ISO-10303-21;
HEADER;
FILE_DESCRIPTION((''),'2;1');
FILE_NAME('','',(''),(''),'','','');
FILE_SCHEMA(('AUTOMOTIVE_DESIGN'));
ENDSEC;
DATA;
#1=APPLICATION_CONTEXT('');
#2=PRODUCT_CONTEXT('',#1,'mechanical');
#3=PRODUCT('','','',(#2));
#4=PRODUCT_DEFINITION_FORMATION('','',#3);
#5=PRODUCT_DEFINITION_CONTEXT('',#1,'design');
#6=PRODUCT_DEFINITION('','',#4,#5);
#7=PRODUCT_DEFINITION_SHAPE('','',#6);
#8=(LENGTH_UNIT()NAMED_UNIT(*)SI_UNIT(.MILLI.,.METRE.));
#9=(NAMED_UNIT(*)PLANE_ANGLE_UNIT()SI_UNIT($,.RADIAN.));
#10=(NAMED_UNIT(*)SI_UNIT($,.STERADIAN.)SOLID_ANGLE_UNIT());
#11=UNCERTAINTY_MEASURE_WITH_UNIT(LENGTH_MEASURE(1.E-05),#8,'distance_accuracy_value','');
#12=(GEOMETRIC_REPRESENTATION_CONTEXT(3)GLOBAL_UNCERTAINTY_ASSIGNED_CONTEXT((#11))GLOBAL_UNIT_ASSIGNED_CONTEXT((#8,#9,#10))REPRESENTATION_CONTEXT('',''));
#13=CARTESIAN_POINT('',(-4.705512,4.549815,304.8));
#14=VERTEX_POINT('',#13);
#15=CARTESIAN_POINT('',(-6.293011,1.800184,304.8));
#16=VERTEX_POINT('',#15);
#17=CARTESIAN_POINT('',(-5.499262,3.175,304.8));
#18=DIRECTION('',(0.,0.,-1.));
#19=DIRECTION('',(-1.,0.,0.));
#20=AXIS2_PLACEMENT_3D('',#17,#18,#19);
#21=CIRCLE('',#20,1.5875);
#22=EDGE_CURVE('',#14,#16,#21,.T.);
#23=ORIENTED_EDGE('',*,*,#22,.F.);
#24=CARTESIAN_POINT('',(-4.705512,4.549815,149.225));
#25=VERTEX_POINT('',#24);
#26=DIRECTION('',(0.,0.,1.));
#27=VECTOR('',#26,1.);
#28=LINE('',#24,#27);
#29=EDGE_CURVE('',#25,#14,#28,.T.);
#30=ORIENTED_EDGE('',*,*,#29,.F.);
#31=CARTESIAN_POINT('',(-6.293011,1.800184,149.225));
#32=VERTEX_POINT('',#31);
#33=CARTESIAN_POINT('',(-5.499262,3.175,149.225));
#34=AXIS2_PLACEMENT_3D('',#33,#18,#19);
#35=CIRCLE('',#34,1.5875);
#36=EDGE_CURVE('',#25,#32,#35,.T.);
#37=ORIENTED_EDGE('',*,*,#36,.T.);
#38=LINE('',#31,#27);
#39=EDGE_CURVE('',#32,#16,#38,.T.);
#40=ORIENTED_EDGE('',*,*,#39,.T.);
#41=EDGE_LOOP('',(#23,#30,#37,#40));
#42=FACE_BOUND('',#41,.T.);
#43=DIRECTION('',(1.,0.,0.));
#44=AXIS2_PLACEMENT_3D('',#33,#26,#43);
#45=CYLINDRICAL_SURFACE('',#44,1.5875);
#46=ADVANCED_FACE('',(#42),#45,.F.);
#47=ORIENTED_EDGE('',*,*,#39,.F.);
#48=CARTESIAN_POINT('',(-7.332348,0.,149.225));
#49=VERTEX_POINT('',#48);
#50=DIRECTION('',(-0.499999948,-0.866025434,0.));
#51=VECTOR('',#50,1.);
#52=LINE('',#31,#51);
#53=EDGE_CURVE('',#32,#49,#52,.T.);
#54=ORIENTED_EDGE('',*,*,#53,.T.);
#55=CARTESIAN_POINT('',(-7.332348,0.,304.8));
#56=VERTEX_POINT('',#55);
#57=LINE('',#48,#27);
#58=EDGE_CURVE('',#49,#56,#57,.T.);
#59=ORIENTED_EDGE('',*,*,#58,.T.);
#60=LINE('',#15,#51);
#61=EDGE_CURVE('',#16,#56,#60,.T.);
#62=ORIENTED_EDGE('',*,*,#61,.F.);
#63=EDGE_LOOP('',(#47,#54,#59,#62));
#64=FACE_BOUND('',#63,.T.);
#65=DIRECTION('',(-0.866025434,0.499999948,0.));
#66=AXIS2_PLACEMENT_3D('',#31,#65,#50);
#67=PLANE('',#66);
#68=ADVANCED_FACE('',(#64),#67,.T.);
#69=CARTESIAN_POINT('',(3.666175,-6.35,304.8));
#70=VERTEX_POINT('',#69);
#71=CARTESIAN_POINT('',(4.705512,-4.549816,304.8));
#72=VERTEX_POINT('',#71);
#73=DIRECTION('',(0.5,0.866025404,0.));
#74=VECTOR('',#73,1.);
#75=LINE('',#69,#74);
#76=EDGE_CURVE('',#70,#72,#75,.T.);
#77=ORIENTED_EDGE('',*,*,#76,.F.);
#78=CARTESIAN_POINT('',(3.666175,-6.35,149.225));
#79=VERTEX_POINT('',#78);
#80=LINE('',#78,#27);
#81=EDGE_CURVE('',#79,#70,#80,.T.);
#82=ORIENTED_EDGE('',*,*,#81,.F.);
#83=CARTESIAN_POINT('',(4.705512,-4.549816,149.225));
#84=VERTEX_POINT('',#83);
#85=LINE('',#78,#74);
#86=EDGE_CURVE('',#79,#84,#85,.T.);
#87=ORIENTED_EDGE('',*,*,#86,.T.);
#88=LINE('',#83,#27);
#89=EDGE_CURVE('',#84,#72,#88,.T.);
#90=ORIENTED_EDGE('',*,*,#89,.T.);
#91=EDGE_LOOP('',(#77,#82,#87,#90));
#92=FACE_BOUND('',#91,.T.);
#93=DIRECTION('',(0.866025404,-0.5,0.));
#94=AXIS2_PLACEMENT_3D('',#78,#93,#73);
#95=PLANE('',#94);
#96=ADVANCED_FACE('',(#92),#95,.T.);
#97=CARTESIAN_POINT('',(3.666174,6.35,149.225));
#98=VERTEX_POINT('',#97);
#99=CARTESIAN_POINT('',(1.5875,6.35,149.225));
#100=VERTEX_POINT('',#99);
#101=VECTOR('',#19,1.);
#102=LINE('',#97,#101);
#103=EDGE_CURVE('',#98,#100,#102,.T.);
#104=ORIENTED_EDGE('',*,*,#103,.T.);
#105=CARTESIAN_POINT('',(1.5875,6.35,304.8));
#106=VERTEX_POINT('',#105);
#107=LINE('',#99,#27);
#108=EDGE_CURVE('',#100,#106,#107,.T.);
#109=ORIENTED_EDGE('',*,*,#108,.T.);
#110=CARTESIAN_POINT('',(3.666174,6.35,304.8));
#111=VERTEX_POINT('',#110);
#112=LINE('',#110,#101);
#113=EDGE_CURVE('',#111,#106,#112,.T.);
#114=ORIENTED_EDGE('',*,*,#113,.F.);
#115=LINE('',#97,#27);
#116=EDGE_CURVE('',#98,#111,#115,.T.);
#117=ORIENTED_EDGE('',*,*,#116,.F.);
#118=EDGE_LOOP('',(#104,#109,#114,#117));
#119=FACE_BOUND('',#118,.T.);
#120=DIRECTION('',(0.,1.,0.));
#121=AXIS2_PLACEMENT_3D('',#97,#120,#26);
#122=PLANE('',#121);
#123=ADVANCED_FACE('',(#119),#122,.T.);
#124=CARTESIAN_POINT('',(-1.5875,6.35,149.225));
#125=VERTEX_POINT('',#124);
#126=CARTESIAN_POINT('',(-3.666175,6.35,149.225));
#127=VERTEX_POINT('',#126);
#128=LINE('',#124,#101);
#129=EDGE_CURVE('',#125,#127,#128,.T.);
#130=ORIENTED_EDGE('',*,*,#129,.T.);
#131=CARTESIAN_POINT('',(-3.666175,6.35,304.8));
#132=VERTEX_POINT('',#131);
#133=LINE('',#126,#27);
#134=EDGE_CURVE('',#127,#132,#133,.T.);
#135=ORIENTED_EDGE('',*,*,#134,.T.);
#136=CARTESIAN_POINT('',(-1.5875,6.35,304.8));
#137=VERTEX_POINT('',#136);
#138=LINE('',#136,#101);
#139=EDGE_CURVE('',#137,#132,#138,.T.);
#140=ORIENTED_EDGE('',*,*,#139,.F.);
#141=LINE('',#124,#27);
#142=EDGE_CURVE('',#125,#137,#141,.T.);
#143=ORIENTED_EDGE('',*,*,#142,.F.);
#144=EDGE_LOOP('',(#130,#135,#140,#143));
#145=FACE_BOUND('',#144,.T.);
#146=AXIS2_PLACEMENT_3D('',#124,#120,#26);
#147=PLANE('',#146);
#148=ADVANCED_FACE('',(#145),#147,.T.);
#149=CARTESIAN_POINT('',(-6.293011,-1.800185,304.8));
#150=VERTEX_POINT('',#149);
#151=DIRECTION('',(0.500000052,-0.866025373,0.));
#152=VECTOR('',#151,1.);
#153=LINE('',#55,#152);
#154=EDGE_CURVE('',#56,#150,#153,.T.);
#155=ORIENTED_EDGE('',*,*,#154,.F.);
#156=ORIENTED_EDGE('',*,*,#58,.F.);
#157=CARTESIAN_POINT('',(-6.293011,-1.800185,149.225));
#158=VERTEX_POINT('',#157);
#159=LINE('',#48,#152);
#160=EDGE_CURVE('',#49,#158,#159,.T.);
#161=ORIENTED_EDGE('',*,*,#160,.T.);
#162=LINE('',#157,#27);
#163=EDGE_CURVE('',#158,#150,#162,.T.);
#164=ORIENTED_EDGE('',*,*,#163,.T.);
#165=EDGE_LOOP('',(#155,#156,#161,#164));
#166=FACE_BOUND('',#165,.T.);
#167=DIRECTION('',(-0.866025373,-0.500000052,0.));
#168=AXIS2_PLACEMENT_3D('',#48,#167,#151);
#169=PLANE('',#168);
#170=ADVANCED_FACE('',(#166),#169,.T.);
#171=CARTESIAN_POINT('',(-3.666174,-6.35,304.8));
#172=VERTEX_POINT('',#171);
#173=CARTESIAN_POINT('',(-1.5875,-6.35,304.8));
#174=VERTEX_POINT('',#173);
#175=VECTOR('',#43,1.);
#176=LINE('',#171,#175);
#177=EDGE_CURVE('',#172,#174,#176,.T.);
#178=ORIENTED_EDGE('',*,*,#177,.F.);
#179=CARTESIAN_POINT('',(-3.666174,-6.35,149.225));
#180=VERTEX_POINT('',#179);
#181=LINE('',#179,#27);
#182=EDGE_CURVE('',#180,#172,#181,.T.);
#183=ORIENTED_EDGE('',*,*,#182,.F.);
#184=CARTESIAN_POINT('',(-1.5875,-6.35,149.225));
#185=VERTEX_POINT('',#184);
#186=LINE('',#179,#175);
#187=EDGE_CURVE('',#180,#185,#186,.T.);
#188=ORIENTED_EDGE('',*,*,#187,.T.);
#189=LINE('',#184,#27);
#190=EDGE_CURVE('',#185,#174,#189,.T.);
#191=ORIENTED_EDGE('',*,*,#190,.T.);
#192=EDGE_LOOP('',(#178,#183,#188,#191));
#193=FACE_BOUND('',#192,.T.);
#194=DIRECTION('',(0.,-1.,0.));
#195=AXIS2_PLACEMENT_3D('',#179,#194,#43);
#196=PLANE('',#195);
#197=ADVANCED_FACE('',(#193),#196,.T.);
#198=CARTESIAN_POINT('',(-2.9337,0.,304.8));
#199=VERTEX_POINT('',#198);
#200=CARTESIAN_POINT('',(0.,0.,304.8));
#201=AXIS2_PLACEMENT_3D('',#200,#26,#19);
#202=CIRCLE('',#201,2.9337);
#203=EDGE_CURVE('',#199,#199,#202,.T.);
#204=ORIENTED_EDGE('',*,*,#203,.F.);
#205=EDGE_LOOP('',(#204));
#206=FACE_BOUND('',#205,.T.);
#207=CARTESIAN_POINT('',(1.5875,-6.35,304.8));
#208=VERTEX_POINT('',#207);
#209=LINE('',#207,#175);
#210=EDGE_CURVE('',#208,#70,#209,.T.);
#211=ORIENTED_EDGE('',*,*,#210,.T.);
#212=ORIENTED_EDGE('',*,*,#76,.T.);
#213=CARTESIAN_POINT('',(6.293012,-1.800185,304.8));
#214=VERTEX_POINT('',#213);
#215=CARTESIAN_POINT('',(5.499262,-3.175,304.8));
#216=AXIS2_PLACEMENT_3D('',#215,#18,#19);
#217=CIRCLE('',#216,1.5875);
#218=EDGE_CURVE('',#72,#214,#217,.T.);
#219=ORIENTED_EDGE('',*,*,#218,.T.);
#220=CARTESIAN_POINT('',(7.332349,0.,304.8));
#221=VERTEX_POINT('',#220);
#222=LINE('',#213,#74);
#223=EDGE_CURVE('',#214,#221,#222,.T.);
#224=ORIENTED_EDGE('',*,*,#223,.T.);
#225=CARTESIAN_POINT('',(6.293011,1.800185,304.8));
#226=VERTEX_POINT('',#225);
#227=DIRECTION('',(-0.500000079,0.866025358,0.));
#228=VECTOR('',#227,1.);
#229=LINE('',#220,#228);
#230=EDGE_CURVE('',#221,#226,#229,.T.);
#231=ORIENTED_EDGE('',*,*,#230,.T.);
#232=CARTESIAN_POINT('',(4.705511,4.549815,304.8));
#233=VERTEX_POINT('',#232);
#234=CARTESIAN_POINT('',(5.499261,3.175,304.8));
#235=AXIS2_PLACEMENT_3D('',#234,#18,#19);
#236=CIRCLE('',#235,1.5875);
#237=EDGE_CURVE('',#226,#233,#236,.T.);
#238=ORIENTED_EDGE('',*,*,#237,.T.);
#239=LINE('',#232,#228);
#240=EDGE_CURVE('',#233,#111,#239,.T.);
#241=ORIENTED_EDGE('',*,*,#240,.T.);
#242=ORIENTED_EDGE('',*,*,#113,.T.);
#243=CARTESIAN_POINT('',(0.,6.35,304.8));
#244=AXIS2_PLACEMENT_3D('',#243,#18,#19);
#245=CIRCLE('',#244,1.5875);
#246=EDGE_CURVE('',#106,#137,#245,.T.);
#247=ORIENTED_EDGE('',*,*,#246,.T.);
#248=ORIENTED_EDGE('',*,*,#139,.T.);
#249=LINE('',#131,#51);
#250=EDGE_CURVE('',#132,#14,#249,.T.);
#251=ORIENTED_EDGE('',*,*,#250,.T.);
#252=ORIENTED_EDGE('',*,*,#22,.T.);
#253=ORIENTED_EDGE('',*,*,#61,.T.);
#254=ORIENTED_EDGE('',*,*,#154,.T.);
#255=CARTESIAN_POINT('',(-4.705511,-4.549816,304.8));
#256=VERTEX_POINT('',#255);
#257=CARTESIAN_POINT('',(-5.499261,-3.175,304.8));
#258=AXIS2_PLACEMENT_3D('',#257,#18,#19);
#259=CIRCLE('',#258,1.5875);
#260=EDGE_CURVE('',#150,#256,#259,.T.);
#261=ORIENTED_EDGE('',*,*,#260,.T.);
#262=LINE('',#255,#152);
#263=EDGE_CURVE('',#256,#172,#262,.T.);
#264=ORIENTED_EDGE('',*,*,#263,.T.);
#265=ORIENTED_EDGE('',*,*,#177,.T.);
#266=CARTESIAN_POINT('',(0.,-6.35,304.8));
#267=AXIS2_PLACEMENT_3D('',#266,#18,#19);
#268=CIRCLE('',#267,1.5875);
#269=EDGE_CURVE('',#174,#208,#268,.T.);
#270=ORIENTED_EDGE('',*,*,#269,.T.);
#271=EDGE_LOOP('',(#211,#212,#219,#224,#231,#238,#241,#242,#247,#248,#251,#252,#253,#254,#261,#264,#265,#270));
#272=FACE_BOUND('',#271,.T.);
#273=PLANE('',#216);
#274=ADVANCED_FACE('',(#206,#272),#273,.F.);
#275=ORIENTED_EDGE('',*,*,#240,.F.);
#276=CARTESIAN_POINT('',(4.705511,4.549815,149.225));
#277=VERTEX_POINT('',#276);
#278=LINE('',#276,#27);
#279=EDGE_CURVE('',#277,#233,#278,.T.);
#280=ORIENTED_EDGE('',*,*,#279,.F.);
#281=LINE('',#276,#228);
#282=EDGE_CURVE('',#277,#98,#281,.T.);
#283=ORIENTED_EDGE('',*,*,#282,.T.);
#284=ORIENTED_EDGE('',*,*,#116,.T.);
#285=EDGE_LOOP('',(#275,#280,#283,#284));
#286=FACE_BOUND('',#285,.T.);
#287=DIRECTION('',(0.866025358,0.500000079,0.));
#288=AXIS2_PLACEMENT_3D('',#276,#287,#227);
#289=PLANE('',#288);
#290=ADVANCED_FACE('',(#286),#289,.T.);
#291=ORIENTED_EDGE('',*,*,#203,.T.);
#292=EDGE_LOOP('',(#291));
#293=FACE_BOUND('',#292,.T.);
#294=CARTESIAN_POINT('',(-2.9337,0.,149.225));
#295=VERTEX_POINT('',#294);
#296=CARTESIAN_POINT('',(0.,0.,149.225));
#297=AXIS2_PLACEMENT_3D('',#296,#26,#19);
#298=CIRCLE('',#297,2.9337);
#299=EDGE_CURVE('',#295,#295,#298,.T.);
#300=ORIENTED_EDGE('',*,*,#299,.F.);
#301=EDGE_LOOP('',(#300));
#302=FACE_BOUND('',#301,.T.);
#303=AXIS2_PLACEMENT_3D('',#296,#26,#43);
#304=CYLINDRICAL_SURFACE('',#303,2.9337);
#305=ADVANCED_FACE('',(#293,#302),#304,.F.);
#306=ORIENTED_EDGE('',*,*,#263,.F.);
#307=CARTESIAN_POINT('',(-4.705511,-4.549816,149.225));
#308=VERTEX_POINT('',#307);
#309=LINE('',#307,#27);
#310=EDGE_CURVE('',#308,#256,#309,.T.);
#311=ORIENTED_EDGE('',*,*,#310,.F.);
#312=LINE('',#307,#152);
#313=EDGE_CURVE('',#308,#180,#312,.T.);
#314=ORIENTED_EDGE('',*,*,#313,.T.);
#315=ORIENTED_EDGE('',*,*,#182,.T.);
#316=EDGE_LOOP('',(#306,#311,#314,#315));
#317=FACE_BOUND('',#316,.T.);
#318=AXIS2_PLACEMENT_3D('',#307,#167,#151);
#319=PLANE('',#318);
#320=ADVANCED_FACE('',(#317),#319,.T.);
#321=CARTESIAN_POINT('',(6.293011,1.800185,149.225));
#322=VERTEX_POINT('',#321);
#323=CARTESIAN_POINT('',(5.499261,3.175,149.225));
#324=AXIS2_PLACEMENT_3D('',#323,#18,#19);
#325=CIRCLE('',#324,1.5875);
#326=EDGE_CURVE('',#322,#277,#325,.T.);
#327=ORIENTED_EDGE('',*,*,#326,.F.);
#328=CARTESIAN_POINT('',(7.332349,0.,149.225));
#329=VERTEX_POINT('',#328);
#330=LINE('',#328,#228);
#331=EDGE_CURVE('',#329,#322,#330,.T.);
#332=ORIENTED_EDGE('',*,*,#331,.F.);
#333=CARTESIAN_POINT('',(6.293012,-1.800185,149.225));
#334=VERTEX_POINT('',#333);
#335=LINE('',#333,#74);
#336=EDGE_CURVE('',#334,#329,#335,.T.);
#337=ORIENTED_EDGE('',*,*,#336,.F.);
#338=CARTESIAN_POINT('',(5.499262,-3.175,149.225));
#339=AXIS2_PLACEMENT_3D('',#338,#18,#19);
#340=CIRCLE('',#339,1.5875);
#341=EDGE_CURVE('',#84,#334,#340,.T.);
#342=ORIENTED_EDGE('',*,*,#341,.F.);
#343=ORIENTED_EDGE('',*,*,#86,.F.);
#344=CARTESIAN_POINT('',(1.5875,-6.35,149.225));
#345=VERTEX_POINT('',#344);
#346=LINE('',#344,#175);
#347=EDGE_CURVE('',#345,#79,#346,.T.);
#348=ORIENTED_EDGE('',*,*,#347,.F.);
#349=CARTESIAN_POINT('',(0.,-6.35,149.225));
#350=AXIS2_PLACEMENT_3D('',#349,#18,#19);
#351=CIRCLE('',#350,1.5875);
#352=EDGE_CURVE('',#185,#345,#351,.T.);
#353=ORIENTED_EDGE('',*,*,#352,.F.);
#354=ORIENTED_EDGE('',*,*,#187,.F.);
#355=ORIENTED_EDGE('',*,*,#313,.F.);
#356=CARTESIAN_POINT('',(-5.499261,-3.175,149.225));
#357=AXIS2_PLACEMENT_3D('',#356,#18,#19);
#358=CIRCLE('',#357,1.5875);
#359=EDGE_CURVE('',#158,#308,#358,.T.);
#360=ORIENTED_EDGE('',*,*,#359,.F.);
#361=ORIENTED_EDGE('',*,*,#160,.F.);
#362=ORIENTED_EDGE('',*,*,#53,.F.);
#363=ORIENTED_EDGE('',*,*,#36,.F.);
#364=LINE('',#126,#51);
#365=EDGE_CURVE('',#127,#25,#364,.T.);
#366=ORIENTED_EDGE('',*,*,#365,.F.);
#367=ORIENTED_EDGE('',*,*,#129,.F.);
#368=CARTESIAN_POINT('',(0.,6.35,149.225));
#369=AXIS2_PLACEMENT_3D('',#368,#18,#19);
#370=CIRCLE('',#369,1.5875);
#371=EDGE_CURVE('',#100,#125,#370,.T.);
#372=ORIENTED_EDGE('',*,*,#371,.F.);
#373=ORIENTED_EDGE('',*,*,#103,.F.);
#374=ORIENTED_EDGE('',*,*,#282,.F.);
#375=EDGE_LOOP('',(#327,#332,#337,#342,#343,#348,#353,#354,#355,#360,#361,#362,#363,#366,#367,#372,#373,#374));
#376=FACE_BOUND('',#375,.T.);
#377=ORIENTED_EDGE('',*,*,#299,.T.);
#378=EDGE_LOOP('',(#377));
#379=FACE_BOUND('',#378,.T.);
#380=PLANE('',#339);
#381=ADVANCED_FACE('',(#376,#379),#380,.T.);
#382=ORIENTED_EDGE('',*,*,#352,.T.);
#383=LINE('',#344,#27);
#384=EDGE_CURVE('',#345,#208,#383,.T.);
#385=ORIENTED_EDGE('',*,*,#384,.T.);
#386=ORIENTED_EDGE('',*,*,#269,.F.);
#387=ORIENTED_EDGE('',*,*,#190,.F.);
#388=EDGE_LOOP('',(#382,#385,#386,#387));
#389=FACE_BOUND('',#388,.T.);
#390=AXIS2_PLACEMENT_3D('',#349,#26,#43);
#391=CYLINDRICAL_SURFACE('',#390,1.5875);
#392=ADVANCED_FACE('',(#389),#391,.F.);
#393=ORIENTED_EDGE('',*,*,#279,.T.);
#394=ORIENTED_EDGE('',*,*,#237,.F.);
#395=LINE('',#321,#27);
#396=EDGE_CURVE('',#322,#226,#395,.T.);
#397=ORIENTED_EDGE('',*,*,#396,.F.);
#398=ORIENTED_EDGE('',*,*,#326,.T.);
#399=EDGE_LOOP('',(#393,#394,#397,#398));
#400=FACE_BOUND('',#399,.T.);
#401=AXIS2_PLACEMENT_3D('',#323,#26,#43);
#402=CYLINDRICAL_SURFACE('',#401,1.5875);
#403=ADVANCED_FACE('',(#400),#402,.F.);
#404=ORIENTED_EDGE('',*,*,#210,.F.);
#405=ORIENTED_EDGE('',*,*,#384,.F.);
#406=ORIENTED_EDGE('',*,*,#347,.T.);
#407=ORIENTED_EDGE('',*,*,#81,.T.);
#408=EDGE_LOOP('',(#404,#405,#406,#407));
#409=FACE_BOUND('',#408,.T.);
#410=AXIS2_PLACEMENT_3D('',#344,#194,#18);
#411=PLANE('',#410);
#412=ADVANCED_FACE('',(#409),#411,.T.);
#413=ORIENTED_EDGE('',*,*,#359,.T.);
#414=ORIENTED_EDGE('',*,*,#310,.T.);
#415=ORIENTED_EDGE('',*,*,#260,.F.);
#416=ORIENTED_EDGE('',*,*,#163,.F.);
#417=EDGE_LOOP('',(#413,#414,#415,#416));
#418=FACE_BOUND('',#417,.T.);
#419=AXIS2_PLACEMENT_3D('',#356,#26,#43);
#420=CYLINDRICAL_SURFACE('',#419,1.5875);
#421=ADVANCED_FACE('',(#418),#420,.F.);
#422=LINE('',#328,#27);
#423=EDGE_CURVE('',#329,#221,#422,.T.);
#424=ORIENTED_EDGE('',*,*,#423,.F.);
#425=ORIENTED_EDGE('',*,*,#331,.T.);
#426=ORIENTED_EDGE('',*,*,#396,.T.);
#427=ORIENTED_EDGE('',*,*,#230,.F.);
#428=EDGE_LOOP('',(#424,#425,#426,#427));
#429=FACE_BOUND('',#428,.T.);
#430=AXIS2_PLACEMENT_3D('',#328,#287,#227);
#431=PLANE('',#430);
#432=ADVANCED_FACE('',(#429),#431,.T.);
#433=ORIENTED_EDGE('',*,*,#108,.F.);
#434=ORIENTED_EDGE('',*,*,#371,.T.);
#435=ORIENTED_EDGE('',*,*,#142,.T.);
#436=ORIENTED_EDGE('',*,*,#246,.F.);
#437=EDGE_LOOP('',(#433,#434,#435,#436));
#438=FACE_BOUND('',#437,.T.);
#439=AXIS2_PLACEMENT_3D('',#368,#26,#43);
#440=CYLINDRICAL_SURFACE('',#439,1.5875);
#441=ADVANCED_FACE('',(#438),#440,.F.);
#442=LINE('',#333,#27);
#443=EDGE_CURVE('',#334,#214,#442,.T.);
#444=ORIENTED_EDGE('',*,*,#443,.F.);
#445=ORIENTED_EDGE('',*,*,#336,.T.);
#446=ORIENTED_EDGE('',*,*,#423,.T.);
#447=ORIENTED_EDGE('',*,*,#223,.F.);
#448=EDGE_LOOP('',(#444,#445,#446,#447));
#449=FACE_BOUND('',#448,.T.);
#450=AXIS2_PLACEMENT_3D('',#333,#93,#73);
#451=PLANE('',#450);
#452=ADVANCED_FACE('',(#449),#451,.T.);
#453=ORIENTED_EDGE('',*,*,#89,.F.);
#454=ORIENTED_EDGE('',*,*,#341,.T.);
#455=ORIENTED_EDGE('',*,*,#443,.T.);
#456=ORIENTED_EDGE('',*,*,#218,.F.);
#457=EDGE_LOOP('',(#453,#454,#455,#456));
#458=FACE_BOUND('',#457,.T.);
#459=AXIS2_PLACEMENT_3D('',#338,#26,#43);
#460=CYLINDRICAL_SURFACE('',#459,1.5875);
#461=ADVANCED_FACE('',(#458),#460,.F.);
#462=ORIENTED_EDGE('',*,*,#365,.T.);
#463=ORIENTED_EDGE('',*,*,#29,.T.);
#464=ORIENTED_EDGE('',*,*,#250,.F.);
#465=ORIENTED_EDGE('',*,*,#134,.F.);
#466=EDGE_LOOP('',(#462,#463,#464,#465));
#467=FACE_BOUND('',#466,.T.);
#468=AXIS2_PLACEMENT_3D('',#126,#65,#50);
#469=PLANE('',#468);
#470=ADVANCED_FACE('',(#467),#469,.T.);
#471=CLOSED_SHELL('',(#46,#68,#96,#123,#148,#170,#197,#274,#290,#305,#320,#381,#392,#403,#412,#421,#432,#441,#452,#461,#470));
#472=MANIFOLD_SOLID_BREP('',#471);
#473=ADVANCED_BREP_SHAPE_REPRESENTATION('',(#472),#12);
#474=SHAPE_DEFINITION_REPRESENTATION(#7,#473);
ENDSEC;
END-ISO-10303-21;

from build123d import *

# Parameters (mm, degrees)
SKETCH1_R           = 2.9337
BOSS_EXTRUDE1_DEPTH = 155.575


with BuildPart() as part:
    # Sketch1 → Boss-Extrude1 (new body)
    with BuildSketch(Plane.XY.offset(304.8)):
        with BuildLine():
            Line((6.293011699, -1.800184894), (7.332348803, -2.22e-07))
            Line((7.332348803, -2.22e-07), (6.293011439, 1.800184522))
            ThreePointArc((6.293011439, 1.800184522), (4.124446058, 2.381249653), (4.705511189, 4.549815034))
            Line((4.705511189, 4.549815034), (3.666173825, 6.349999778))
            Line((3.666173825, 6.349999778), (1.587499615, 6.349999778))
            ThreePointArc((1.587499615, 6.349999778), (-3.85e-07, 4.762499778), (-1.587500385, 6.349999778))
            Line((-1.587500385, 6.349999778), (-3.666174594, 6.349999778))
            Line((-3.666174594, 6.349999778), (-4.70551159, 4.549815043))
            ThreePointArc((-4.70551159, 4.549815043), (-4.12444613, 2.38124975), (-6.293011423, 1.80018429))
            Line((-6.293011423, 1.80018429), (-7.332348419, -4.44e-07))
            Line((-7.332348419, -4.44e-07), (-6.293011205, -1.800185053))
            ThreePointArc((-6.293011205, -1.800185053), (-4.124445841, -2.38125025), (-4.705511038, -4.549815614))
            Line((-4.705511038, -4.549815614), (-3.666173825, -6.350000222))
            Line((-3.666173825, -6.350000222), (-1.587499615, -6.350000222))
            ThreePointArc((-1.587499615, -6.350000222), (3.85e-07, -4.762500222), (1.587500385, -6.350000222))
            Line((1.587500385, -6.350000222), (3.666174594, -6.350000222))
            Line((3.666174594, -6.350000222), (4.705511699, -4.549815551))
            ThreePointArc((4.705511699, -4.549815551), (4.12444637, -2.381250222), (6.293011699, -1.800184894))
        make_face()
        with Locations(Location((0, 0, 0), (0, 0, 180))):
            Circle(SKETCH1_R, mode=Mode.SUBTRACT)
    extrude(amount=-BOSS_EXTRUDE1_DEPTH)


solid = part.part
